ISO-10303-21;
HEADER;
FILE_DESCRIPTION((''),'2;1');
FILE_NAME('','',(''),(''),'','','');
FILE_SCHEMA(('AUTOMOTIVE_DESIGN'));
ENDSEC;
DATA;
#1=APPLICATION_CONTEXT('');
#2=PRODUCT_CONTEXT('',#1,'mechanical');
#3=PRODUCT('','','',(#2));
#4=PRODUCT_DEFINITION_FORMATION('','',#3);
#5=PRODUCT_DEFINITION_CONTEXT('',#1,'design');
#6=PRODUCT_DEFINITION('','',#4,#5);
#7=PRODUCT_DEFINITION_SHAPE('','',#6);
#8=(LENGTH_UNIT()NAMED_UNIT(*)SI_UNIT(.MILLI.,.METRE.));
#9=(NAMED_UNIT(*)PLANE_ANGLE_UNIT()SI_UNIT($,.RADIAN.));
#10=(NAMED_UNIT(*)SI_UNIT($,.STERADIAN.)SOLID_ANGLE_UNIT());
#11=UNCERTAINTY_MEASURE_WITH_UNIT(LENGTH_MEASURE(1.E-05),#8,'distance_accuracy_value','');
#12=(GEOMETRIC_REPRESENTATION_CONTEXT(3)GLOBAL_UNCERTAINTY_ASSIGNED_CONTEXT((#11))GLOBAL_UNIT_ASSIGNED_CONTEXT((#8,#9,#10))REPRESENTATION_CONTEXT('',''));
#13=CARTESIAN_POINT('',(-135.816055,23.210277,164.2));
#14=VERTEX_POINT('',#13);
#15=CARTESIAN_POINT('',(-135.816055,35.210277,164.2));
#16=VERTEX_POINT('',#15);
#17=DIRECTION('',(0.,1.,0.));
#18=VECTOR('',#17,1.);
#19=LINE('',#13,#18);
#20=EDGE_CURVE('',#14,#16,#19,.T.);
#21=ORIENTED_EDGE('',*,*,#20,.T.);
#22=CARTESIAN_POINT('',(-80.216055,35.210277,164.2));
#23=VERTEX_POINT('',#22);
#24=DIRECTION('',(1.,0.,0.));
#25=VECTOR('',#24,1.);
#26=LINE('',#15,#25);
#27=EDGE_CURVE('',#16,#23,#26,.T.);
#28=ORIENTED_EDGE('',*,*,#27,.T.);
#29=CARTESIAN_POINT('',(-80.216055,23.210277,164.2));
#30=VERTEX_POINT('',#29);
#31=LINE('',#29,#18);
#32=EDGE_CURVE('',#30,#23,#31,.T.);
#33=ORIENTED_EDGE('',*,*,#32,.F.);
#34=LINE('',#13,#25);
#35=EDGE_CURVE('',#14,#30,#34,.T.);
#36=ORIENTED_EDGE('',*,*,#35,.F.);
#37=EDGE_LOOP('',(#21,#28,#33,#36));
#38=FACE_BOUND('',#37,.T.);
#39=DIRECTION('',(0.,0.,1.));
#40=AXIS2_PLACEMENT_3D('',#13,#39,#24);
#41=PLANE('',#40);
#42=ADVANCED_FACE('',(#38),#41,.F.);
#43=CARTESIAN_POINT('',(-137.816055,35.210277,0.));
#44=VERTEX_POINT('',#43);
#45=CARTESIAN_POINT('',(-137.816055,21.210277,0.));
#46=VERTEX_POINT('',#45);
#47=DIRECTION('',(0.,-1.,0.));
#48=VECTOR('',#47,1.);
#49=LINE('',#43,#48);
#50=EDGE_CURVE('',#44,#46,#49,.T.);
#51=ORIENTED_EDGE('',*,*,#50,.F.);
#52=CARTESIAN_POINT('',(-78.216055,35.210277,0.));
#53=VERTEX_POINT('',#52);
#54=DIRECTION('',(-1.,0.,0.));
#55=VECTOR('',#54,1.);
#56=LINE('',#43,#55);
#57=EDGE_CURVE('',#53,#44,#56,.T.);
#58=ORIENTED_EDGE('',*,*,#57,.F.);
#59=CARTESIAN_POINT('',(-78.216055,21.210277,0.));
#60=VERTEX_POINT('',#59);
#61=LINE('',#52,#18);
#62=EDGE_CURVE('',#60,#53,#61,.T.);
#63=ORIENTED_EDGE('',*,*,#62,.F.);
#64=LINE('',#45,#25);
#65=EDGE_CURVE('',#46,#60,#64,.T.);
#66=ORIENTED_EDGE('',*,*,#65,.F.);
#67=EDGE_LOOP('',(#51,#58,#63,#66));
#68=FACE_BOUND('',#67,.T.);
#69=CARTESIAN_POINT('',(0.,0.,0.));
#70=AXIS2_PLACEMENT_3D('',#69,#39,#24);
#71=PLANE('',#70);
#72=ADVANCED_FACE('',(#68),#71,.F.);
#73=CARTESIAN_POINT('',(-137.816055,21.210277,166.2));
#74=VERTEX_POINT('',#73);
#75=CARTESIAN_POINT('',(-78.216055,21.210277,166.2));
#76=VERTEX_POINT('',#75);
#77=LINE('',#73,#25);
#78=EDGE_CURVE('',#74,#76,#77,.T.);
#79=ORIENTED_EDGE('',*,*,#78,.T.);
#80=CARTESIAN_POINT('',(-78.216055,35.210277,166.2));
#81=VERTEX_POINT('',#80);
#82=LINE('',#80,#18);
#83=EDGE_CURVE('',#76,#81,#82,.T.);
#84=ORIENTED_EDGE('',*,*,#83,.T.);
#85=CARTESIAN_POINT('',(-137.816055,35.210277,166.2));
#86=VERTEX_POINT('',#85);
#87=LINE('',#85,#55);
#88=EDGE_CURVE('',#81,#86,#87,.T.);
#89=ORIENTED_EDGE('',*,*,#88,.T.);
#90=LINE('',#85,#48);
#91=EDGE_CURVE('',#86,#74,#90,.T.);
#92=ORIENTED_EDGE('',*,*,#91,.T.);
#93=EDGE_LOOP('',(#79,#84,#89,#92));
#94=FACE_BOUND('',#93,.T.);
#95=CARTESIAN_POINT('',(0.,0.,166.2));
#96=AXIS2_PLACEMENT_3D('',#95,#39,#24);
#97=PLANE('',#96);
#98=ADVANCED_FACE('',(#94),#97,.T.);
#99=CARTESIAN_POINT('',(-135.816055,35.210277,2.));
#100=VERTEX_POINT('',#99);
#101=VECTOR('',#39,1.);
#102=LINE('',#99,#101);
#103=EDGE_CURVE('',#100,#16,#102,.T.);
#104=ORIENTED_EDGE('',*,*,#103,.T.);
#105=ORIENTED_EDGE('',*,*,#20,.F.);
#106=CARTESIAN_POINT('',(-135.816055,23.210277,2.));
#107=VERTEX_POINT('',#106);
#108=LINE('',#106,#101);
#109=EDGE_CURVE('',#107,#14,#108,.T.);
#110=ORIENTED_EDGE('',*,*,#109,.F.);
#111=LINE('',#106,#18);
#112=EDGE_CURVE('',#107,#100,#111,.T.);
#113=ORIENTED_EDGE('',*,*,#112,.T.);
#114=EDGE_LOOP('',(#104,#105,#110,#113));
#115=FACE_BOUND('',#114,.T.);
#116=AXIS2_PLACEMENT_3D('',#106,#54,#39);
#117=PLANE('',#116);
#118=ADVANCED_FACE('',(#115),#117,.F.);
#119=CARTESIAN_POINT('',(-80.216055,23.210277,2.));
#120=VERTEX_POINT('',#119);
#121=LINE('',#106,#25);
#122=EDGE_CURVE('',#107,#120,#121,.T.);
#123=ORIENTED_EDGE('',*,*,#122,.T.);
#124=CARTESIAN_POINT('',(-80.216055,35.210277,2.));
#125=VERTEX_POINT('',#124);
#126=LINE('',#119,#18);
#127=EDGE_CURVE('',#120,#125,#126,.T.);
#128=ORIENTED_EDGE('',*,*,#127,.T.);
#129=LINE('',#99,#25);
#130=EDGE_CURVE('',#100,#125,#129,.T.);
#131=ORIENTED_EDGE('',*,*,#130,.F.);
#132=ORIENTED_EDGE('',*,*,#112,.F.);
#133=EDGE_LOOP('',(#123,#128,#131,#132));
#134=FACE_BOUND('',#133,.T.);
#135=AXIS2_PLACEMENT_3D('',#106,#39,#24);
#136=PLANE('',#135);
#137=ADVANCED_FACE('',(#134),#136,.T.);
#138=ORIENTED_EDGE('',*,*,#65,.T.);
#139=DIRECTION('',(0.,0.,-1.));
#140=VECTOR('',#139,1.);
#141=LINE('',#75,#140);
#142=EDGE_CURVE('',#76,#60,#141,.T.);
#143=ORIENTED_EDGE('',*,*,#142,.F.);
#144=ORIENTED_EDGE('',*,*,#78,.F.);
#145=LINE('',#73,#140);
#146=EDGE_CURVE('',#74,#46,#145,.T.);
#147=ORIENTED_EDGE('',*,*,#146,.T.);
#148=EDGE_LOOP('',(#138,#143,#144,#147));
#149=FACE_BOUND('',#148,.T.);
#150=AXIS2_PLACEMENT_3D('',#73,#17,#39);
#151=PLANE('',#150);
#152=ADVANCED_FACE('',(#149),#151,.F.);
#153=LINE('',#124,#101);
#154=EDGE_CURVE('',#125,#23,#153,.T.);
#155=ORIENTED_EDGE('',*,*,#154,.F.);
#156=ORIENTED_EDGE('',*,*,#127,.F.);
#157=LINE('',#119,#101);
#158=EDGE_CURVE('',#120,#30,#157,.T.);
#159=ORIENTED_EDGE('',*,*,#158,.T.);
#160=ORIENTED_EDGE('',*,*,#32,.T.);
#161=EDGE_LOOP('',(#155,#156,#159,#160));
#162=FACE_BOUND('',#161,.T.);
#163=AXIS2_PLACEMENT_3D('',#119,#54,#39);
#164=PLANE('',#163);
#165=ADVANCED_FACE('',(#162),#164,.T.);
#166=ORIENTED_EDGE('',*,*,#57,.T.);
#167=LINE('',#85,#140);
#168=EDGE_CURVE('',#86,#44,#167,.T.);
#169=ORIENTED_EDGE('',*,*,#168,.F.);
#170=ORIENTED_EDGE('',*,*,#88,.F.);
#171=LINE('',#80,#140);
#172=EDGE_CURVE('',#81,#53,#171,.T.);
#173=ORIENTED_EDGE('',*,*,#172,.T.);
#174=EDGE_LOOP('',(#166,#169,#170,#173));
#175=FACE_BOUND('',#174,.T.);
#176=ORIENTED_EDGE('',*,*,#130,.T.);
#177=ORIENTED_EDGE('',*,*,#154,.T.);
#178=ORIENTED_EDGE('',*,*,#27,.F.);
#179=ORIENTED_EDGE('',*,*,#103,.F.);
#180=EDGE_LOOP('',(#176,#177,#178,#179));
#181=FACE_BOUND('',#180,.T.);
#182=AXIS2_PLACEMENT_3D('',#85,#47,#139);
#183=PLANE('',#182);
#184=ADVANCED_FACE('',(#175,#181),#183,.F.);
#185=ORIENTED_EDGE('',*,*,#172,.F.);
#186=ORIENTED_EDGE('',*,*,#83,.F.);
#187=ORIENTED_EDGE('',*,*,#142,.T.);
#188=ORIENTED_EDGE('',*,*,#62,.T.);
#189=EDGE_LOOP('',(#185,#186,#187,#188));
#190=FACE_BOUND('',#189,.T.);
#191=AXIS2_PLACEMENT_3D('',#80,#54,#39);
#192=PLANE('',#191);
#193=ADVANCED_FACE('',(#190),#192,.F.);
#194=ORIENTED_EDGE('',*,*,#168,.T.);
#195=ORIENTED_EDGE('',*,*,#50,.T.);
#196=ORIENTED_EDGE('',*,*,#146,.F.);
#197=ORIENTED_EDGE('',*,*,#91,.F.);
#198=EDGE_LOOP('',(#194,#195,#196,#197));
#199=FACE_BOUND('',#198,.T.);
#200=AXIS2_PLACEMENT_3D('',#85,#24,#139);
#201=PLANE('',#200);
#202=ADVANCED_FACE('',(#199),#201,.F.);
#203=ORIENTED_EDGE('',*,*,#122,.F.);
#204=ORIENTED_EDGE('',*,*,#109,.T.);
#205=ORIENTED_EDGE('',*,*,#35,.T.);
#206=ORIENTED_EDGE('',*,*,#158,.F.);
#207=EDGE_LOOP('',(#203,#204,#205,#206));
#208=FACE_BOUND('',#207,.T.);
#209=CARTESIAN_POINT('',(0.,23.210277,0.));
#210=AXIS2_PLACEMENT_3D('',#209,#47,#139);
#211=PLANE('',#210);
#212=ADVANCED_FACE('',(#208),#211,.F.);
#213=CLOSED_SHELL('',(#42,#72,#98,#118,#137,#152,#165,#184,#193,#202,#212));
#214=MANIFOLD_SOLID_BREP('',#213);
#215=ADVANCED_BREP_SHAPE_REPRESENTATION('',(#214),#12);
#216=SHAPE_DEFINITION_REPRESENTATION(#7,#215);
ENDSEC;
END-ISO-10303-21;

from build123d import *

# Parameters (mm, degrees)
SKETCH1_W           = 59.6
SKETCH1_H           = 14
BOSS_EXTRUDE1_DEPTH = 166.2
SKETCH5_W           = 55.6
SKETCH5_H           = 162.2
CUT_EXTRUDE2_DEPTH  = 12


with BuildPart() as part:
    # Sketch1 → Boss-Extrude1 (new body)
    with BuildSketch(Plane.XY):
        with Locations((-108.016055239, 28.210276543)):
            Rectangle(SKETCH1_W, SKETCH1_H)
    extrude(amount=BOSS_EXTRUDE1_DEPTH)

    # Sketch5 → Cut-Extrude2 (cut)
    with BuildSketch(Plane(origin=(0, 35.210276543, 0), x_dir=(1, 0, 0), z_dir=(0, 1, 0))):
        with Locations((-108.016055239, -83.1)):
            Rectangle(SKETCH5_W, SKETCH5_H)
    extrude(amount=-CUT_EXTRUDE2_DEPTH, mode=Mode.SUBTRACT)


solid = part.part
